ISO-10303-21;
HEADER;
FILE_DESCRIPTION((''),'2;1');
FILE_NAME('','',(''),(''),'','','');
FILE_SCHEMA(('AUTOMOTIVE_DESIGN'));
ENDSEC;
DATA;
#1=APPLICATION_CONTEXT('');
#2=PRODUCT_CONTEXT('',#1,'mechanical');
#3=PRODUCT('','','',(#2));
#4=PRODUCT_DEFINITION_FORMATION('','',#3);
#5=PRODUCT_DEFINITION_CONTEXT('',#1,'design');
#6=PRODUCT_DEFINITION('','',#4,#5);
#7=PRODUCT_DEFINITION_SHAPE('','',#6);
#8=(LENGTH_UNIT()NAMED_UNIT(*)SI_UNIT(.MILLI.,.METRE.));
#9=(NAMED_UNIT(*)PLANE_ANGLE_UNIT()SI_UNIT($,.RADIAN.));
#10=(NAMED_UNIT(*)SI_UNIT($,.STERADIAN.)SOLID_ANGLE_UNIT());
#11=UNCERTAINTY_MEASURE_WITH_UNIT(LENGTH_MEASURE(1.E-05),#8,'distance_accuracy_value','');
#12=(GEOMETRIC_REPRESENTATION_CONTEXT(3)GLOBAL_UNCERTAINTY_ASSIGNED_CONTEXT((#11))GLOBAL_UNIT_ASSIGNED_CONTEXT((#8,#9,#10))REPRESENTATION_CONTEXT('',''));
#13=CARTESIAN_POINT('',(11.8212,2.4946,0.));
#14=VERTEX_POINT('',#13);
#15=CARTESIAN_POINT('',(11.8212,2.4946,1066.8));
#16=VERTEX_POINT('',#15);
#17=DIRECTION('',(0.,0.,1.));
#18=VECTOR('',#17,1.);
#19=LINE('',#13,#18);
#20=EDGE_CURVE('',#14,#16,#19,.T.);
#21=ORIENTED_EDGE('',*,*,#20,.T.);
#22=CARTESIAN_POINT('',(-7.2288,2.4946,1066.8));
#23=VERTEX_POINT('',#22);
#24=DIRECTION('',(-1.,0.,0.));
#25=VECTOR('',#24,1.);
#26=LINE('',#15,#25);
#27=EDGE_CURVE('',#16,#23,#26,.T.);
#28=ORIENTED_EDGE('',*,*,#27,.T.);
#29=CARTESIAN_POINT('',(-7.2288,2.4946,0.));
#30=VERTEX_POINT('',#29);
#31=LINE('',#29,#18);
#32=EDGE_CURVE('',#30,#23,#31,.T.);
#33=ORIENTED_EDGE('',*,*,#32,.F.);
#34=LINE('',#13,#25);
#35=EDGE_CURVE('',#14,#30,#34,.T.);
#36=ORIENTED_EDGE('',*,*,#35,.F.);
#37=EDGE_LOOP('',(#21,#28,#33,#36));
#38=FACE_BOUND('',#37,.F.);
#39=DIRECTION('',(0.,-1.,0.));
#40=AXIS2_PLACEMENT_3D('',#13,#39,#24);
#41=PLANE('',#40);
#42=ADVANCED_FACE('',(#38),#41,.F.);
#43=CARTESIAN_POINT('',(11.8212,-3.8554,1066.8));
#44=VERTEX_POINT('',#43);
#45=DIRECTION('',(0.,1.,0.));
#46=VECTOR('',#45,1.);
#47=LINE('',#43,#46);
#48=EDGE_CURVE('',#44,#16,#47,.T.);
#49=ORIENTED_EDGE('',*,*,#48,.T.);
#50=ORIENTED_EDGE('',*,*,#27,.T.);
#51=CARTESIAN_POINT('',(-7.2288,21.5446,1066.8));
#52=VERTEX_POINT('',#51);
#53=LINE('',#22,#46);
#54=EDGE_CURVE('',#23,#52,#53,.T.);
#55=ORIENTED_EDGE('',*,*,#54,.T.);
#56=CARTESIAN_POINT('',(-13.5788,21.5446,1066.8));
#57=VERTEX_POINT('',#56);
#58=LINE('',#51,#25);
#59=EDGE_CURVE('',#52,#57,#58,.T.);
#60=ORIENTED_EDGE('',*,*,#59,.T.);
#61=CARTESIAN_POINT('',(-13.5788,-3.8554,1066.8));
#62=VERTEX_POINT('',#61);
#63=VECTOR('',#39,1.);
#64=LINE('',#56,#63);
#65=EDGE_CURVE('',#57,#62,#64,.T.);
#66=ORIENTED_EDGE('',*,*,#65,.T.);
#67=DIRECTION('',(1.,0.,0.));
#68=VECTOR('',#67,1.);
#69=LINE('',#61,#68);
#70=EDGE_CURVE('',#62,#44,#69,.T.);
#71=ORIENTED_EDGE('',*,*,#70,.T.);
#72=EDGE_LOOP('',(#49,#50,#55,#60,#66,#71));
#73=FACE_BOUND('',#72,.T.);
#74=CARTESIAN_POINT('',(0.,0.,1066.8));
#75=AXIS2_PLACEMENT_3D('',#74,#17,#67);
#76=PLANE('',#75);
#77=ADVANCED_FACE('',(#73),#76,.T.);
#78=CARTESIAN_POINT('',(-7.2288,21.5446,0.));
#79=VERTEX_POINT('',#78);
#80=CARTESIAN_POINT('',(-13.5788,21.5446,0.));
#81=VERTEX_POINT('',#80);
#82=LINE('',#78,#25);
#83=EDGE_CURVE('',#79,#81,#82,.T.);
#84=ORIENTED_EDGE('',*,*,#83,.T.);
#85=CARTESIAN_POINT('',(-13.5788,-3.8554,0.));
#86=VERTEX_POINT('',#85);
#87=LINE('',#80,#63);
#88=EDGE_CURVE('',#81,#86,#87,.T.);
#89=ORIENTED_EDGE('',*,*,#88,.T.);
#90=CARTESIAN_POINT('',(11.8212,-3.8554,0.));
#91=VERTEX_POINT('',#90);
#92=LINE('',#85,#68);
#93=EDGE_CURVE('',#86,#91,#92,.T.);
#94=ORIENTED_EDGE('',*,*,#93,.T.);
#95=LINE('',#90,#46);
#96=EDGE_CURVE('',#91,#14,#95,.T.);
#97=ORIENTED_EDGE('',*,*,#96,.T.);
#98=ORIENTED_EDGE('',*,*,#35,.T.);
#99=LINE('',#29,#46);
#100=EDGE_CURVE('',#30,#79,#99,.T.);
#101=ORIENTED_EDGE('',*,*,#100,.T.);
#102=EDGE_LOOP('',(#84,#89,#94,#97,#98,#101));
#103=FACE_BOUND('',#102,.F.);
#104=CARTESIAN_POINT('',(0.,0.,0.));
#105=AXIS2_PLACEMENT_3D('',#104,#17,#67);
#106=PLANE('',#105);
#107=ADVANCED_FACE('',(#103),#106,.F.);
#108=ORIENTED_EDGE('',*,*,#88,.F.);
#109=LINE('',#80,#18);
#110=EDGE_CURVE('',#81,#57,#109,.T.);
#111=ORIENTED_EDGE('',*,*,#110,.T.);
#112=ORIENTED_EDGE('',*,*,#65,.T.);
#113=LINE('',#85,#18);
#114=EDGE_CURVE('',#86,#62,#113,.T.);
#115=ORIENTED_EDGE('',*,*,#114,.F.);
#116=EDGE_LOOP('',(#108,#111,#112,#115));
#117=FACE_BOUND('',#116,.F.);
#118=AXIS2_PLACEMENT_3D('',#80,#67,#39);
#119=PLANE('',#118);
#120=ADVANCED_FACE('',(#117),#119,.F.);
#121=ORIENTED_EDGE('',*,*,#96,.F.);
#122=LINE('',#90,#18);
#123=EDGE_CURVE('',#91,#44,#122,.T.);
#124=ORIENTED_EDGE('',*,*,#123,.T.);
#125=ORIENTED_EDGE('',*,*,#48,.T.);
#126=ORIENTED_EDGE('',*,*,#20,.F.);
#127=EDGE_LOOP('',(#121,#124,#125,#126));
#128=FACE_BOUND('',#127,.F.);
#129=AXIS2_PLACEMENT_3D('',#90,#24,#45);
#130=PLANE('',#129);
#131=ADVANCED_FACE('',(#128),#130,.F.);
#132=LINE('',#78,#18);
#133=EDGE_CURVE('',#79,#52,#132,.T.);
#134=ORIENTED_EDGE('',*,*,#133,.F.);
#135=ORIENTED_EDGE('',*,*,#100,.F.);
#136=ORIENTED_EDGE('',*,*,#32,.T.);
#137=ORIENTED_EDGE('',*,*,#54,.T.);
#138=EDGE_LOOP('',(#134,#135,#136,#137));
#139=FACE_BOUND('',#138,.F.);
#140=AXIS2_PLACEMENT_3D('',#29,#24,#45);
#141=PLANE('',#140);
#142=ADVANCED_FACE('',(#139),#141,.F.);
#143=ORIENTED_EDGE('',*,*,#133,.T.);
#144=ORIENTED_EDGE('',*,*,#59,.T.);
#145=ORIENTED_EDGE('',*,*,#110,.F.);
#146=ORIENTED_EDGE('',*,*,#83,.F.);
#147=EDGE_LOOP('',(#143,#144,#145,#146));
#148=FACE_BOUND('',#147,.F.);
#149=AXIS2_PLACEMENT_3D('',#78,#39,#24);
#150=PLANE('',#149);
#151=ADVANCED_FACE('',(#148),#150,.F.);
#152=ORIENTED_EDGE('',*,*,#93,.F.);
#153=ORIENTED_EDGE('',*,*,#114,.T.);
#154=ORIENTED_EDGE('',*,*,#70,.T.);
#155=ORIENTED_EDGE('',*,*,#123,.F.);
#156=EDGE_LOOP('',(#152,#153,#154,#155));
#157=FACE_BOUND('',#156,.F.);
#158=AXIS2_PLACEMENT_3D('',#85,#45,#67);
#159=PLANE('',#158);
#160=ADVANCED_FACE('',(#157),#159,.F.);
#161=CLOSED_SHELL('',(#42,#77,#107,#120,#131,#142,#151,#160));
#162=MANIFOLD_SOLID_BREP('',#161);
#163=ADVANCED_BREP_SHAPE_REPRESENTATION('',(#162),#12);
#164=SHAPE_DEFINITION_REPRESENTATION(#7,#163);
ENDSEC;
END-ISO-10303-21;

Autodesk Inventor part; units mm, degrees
ref_plane "YZ Plane" through (0, 0, 0) normal (1, 0, 0) x (0, 1, 0)
ref_plane "XZ Plane" through (0, 0, 0) normal (0, 1, 0) x (-1, 0, 0)
ref_plane "XY Plane" through (0, 0, 0) normal (0, 0, 1) x (1, 0, 0)
sketch "Sketch1" plane through (0, 0, 0) normal (0, 0, 1) x (1, 0, 0)
  line L0 (-13.5788, 21.5446) -> (-13.5788, -3.8554)
  line L1 (-13.5788, -3.8554) -> (11.8212, -3.8554)
  line L2 (11.8212, -3.8554) -> (11.8212, 2.4946)
  line L3 (11.8212, 2.4946) -> (-7.2288, 2.4946)
  line L4 (-7.2288, 2.4946) -> (-7.2288, 21.5446)
  line L5 (-7.2288, 21.5446) -> (-13.5788, 21.5446)
  dimension "d0" = 25.4
  dimension "d1" = 25.4
  dimension "d2" = 6.35
extrude "Extrusion1" add sketch "Sketch1" along normal blind 1066.8
properties part number "FE-00006-09"
